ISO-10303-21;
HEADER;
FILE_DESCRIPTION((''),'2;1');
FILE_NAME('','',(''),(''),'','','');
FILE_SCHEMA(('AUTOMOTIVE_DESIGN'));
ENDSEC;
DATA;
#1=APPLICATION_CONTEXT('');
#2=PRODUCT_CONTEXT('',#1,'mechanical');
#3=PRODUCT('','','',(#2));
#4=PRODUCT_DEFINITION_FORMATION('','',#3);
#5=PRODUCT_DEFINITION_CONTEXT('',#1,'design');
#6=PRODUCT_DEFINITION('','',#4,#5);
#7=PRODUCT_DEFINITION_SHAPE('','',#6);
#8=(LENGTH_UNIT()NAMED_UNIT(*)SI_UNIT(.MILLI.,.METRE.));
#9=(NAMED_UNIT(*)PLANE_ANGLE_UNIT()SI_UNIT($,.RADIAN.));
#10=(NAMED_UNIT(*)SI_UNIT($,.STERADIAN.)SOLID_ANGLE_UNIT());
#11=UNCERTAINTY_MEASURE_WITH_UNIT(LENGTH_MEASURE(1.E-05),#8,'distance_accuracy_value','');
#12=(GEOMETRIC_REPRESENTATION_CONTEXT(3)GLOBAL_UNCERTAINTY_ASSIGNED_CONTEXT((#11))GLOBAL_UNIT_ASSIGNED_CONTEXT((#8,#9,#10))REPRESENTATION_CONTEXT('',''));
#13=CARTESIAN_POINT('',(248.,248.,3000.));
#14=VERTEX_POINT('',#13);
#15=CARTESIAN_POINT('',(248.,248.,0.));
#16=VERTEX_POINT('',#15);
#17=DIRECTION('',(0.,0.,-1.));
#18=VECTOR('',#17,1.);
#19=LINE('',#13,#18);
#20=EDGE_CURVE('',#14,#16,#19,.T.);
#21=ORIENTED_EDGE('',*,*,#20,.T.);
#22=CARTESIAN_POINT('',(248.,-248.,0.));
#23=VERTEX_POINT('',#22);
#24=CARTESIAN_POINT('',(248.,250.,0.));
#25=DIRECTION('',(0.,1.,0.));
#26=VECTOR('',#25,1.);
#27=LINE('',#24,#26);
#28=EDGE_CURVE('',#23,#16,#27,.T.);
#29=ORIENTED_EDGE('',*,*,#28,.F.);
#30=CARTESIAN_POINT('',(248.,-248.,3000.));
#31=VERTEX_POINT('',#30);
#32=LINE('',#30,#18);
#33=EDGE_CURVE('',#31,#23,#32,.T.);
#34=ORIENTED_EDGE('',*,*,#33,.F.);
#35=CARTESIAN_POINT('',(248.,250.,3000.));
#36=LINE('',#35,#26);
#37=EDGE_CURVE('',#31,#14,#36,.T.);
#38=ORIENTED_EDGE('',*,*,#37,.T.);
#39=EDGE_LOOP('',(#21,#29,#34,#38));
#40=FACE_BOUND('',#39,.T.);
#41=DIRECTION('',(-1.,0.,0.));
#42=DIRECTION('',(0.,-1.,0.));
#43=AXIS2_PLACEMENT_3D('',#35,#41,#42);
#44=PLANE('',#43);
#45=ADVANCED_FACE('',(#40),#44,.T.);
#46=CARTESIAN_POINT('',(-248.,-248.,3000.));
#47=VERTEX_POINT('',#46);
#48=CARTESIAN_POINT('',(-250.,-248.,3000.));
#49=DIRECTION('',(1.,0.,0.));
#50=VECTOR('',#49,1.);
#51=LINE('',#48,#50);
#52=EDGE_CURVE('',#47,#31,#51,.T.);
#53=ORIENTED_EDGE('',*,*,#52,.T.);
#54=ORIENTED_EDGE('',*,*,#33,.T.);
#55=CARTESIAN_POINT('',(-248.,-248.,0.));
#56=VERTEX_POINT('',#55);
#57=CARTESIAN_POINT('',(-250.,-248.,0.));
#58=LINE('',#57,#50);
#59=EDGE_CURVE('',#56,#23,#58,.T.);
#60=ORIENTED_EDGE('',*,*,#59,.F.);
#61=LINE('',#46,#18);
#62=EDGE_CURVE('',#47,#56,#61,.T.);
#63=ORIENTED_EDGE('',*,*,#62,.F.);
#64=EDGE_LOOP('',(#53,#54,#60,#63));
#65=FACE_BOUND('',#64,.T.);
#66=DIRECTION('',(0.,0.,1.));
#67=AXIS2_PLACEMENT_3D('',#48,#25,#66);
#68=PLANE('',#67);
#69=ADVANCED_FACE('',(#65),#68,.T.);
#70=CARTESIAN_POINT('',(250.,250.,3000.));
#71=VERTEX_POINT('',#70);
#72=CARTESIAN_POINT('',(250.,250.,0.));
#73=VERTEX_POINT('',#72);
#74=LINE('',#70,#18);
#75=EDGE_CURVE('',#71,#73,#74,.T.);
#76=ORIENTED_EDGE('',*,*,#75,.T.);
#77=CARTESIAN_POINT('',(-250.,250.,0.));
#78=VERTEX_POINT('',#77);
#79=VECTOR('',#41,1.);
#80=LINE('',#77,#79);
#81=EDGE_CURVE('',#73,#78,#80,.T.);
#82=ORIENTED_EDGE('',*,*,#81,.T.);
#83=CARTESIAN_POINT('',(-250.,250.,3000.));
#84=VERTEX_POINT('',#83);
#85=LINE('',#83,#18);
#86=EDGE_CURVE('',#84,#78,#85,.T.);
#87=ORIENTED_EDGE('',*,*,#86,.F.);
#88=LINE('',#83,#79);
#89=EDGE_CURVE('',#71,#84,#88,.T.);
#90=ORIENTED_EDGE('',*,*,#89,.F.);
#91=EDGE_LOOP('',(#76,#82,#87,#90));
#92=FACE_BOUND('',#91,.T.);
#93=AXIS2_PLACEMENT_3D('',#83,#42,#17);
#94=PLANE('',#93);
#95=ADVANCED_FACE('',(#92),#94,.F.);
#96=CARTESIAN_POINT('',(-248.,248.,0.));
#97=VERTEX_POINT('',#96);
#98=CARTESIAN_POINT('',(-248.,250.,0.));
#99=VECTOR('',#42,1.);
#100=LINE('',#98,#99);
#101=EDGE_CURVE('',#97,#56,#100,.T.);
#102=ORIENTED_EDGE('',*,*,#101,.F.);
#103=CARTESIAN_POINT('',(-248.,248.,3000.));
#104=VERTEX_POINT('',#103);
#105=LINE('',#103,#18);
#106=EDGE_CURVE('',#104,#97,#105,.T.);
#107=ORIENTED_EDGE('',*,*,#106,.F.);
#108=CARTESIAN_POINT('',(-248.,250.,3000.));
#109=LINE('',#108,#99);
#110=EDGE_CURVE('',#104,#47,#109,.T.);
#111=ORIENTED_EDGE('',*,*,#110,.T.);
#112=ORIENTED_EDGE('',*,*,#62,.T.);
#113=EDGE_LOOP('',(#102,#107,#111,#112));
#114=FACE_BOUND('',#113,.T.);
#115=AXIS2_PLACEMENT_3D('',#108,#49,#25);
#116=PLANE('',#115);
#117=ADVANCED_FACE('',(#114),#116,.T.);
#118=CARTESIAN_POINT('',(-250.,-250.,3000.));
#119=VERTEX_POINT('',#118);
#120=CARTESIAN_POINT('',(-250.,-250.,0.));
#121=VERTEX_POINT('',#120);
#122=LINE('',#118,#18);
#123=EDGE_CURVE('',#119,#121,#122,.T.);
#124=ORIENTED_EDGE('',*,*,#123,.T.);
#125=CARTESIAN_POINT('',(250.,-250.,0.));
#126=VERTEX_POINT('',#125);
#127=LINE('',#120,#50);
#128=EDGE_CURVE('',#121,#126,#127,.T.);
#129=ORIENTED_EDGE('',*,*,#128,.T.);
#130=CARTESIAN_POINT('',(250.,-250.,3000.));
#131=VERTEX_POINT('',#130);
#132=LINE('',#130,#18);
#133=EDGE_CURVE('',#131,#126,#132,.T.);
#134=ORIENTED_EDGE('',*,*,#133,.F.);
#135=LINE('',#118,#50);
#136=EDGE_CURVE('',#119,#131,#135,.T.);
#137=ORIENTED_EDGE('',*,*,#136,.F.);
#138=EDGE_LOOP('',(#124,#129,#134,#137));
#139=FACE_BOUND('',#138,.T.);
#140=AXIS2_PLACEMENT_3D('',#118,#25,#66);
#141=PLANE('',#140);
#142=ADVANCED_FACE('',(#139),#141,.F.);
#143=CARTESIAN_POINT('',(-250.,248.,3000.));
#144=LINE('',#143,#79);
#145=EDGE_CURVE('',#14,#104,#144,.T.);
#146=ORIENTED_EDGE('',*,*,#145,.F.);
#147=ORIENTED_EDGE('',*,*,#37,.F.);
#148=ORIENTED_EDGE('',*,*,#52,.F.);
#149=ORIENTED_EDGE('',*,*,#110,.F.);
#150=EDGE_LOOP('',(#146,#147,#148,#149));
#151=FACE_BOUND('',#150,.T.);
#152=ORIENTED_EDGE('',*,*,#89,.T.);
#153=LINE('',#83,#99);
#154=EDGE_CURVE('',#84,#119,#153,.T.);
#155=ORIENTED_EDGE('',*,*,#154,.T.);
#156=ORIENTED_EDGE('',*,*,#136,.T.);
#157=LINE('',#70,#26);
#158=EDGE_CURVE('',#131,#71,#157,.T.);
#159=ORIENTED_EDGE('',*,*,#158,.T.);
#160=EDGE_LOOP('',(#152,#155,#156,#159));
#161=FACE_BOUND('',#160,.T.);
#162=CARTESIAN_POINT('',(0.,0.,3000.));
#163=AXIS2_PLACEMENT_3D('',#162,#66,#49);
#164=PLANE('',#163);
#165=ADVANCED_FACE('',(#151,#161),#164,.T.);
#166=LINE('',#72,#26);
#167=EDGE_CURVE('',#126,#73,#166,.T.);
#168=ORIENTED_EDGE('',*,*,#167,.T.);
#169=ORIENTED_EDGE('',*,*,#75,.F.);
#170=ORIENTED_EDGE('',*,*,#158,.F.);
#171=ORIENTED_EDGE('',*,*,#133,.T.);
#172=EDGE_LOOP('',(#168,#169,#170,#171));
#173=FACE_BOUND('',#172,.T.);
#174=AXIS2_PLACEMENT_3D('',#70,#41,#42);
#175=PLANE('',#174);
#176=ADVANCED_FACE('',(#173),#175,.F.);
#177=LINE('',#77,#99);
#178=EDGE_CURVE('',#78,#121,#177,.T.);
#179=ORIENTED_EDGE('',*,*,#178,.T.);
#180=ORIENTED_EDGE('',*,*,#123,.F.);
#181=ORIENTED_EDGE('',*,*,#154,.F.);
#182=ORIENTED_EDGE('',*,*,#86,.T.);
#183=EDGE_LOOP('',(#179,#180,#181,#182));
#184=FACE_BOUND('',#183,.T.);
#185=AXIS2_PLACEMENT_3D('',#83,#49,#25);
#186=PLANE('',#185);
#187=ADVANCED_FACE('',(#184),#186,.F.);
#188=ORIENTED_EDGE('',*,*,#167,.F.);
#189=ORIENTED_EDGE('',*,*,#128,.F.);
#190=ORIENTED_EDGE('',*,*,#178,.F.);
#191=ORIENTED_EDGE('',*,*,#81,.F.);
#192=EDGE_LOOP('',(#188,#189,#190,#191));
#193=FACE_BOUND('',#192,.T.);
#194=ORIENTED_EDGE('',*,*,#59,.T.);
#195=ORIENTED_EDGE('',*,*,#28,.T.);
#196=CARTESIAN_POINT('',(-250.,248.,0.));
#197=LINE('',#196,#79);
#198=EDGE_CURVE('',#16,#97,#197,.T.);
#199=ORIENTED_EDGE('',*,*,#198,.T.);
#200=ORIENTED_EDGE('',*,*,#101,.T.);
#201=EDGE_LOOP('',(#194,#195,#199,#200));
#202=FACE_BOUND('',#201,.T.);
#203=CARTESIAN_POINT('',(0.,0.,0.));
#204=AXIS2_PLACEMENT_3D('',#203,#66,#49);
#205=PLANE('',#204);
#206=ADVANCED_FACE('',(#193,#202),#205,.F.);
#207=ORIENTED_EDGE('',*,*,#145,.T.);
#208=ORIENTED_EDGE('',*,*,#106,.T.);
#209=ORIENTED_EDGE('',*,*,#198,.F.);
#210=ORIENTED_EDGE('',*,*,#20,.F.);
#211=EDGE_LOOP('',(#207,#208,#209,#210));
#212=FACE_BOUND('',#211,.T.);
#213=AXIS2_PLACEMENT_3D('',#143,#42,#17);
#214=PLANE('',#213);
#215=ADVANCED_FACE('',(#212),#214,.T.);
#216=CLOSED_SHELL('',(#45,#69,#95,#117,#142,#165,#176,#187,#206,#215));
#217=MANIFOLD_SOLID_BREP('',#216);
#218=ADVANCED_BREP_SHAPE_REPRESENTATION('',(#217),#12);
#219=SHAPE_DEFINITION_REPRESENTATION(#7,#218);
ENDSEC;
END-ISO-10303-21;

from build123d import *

# Parameters (mm, degrees)
DUCTSKETCH_W    = 500
DUCTSKETCH_H    = 500
DUCTSKETCH_W_2  = 496
DUCTSKETCH_H_2  = 496
EXTRUSION_DEPTH = 3000


with BuildPart() as part:
    # DuctSketch → Extrusion (new body)
    with BuildSketch(Plane.XY):
        Rectangle(DUCTSKETCH_W, DUCTSKETCH_H)
        Rectangle(DUCTSKETCH_W_2, DUCTSKETCH_H_2, mode=Mode.SUBTRACT)
    extrude(amount=EXTRUSION_DEPTH)


solid = part.part
